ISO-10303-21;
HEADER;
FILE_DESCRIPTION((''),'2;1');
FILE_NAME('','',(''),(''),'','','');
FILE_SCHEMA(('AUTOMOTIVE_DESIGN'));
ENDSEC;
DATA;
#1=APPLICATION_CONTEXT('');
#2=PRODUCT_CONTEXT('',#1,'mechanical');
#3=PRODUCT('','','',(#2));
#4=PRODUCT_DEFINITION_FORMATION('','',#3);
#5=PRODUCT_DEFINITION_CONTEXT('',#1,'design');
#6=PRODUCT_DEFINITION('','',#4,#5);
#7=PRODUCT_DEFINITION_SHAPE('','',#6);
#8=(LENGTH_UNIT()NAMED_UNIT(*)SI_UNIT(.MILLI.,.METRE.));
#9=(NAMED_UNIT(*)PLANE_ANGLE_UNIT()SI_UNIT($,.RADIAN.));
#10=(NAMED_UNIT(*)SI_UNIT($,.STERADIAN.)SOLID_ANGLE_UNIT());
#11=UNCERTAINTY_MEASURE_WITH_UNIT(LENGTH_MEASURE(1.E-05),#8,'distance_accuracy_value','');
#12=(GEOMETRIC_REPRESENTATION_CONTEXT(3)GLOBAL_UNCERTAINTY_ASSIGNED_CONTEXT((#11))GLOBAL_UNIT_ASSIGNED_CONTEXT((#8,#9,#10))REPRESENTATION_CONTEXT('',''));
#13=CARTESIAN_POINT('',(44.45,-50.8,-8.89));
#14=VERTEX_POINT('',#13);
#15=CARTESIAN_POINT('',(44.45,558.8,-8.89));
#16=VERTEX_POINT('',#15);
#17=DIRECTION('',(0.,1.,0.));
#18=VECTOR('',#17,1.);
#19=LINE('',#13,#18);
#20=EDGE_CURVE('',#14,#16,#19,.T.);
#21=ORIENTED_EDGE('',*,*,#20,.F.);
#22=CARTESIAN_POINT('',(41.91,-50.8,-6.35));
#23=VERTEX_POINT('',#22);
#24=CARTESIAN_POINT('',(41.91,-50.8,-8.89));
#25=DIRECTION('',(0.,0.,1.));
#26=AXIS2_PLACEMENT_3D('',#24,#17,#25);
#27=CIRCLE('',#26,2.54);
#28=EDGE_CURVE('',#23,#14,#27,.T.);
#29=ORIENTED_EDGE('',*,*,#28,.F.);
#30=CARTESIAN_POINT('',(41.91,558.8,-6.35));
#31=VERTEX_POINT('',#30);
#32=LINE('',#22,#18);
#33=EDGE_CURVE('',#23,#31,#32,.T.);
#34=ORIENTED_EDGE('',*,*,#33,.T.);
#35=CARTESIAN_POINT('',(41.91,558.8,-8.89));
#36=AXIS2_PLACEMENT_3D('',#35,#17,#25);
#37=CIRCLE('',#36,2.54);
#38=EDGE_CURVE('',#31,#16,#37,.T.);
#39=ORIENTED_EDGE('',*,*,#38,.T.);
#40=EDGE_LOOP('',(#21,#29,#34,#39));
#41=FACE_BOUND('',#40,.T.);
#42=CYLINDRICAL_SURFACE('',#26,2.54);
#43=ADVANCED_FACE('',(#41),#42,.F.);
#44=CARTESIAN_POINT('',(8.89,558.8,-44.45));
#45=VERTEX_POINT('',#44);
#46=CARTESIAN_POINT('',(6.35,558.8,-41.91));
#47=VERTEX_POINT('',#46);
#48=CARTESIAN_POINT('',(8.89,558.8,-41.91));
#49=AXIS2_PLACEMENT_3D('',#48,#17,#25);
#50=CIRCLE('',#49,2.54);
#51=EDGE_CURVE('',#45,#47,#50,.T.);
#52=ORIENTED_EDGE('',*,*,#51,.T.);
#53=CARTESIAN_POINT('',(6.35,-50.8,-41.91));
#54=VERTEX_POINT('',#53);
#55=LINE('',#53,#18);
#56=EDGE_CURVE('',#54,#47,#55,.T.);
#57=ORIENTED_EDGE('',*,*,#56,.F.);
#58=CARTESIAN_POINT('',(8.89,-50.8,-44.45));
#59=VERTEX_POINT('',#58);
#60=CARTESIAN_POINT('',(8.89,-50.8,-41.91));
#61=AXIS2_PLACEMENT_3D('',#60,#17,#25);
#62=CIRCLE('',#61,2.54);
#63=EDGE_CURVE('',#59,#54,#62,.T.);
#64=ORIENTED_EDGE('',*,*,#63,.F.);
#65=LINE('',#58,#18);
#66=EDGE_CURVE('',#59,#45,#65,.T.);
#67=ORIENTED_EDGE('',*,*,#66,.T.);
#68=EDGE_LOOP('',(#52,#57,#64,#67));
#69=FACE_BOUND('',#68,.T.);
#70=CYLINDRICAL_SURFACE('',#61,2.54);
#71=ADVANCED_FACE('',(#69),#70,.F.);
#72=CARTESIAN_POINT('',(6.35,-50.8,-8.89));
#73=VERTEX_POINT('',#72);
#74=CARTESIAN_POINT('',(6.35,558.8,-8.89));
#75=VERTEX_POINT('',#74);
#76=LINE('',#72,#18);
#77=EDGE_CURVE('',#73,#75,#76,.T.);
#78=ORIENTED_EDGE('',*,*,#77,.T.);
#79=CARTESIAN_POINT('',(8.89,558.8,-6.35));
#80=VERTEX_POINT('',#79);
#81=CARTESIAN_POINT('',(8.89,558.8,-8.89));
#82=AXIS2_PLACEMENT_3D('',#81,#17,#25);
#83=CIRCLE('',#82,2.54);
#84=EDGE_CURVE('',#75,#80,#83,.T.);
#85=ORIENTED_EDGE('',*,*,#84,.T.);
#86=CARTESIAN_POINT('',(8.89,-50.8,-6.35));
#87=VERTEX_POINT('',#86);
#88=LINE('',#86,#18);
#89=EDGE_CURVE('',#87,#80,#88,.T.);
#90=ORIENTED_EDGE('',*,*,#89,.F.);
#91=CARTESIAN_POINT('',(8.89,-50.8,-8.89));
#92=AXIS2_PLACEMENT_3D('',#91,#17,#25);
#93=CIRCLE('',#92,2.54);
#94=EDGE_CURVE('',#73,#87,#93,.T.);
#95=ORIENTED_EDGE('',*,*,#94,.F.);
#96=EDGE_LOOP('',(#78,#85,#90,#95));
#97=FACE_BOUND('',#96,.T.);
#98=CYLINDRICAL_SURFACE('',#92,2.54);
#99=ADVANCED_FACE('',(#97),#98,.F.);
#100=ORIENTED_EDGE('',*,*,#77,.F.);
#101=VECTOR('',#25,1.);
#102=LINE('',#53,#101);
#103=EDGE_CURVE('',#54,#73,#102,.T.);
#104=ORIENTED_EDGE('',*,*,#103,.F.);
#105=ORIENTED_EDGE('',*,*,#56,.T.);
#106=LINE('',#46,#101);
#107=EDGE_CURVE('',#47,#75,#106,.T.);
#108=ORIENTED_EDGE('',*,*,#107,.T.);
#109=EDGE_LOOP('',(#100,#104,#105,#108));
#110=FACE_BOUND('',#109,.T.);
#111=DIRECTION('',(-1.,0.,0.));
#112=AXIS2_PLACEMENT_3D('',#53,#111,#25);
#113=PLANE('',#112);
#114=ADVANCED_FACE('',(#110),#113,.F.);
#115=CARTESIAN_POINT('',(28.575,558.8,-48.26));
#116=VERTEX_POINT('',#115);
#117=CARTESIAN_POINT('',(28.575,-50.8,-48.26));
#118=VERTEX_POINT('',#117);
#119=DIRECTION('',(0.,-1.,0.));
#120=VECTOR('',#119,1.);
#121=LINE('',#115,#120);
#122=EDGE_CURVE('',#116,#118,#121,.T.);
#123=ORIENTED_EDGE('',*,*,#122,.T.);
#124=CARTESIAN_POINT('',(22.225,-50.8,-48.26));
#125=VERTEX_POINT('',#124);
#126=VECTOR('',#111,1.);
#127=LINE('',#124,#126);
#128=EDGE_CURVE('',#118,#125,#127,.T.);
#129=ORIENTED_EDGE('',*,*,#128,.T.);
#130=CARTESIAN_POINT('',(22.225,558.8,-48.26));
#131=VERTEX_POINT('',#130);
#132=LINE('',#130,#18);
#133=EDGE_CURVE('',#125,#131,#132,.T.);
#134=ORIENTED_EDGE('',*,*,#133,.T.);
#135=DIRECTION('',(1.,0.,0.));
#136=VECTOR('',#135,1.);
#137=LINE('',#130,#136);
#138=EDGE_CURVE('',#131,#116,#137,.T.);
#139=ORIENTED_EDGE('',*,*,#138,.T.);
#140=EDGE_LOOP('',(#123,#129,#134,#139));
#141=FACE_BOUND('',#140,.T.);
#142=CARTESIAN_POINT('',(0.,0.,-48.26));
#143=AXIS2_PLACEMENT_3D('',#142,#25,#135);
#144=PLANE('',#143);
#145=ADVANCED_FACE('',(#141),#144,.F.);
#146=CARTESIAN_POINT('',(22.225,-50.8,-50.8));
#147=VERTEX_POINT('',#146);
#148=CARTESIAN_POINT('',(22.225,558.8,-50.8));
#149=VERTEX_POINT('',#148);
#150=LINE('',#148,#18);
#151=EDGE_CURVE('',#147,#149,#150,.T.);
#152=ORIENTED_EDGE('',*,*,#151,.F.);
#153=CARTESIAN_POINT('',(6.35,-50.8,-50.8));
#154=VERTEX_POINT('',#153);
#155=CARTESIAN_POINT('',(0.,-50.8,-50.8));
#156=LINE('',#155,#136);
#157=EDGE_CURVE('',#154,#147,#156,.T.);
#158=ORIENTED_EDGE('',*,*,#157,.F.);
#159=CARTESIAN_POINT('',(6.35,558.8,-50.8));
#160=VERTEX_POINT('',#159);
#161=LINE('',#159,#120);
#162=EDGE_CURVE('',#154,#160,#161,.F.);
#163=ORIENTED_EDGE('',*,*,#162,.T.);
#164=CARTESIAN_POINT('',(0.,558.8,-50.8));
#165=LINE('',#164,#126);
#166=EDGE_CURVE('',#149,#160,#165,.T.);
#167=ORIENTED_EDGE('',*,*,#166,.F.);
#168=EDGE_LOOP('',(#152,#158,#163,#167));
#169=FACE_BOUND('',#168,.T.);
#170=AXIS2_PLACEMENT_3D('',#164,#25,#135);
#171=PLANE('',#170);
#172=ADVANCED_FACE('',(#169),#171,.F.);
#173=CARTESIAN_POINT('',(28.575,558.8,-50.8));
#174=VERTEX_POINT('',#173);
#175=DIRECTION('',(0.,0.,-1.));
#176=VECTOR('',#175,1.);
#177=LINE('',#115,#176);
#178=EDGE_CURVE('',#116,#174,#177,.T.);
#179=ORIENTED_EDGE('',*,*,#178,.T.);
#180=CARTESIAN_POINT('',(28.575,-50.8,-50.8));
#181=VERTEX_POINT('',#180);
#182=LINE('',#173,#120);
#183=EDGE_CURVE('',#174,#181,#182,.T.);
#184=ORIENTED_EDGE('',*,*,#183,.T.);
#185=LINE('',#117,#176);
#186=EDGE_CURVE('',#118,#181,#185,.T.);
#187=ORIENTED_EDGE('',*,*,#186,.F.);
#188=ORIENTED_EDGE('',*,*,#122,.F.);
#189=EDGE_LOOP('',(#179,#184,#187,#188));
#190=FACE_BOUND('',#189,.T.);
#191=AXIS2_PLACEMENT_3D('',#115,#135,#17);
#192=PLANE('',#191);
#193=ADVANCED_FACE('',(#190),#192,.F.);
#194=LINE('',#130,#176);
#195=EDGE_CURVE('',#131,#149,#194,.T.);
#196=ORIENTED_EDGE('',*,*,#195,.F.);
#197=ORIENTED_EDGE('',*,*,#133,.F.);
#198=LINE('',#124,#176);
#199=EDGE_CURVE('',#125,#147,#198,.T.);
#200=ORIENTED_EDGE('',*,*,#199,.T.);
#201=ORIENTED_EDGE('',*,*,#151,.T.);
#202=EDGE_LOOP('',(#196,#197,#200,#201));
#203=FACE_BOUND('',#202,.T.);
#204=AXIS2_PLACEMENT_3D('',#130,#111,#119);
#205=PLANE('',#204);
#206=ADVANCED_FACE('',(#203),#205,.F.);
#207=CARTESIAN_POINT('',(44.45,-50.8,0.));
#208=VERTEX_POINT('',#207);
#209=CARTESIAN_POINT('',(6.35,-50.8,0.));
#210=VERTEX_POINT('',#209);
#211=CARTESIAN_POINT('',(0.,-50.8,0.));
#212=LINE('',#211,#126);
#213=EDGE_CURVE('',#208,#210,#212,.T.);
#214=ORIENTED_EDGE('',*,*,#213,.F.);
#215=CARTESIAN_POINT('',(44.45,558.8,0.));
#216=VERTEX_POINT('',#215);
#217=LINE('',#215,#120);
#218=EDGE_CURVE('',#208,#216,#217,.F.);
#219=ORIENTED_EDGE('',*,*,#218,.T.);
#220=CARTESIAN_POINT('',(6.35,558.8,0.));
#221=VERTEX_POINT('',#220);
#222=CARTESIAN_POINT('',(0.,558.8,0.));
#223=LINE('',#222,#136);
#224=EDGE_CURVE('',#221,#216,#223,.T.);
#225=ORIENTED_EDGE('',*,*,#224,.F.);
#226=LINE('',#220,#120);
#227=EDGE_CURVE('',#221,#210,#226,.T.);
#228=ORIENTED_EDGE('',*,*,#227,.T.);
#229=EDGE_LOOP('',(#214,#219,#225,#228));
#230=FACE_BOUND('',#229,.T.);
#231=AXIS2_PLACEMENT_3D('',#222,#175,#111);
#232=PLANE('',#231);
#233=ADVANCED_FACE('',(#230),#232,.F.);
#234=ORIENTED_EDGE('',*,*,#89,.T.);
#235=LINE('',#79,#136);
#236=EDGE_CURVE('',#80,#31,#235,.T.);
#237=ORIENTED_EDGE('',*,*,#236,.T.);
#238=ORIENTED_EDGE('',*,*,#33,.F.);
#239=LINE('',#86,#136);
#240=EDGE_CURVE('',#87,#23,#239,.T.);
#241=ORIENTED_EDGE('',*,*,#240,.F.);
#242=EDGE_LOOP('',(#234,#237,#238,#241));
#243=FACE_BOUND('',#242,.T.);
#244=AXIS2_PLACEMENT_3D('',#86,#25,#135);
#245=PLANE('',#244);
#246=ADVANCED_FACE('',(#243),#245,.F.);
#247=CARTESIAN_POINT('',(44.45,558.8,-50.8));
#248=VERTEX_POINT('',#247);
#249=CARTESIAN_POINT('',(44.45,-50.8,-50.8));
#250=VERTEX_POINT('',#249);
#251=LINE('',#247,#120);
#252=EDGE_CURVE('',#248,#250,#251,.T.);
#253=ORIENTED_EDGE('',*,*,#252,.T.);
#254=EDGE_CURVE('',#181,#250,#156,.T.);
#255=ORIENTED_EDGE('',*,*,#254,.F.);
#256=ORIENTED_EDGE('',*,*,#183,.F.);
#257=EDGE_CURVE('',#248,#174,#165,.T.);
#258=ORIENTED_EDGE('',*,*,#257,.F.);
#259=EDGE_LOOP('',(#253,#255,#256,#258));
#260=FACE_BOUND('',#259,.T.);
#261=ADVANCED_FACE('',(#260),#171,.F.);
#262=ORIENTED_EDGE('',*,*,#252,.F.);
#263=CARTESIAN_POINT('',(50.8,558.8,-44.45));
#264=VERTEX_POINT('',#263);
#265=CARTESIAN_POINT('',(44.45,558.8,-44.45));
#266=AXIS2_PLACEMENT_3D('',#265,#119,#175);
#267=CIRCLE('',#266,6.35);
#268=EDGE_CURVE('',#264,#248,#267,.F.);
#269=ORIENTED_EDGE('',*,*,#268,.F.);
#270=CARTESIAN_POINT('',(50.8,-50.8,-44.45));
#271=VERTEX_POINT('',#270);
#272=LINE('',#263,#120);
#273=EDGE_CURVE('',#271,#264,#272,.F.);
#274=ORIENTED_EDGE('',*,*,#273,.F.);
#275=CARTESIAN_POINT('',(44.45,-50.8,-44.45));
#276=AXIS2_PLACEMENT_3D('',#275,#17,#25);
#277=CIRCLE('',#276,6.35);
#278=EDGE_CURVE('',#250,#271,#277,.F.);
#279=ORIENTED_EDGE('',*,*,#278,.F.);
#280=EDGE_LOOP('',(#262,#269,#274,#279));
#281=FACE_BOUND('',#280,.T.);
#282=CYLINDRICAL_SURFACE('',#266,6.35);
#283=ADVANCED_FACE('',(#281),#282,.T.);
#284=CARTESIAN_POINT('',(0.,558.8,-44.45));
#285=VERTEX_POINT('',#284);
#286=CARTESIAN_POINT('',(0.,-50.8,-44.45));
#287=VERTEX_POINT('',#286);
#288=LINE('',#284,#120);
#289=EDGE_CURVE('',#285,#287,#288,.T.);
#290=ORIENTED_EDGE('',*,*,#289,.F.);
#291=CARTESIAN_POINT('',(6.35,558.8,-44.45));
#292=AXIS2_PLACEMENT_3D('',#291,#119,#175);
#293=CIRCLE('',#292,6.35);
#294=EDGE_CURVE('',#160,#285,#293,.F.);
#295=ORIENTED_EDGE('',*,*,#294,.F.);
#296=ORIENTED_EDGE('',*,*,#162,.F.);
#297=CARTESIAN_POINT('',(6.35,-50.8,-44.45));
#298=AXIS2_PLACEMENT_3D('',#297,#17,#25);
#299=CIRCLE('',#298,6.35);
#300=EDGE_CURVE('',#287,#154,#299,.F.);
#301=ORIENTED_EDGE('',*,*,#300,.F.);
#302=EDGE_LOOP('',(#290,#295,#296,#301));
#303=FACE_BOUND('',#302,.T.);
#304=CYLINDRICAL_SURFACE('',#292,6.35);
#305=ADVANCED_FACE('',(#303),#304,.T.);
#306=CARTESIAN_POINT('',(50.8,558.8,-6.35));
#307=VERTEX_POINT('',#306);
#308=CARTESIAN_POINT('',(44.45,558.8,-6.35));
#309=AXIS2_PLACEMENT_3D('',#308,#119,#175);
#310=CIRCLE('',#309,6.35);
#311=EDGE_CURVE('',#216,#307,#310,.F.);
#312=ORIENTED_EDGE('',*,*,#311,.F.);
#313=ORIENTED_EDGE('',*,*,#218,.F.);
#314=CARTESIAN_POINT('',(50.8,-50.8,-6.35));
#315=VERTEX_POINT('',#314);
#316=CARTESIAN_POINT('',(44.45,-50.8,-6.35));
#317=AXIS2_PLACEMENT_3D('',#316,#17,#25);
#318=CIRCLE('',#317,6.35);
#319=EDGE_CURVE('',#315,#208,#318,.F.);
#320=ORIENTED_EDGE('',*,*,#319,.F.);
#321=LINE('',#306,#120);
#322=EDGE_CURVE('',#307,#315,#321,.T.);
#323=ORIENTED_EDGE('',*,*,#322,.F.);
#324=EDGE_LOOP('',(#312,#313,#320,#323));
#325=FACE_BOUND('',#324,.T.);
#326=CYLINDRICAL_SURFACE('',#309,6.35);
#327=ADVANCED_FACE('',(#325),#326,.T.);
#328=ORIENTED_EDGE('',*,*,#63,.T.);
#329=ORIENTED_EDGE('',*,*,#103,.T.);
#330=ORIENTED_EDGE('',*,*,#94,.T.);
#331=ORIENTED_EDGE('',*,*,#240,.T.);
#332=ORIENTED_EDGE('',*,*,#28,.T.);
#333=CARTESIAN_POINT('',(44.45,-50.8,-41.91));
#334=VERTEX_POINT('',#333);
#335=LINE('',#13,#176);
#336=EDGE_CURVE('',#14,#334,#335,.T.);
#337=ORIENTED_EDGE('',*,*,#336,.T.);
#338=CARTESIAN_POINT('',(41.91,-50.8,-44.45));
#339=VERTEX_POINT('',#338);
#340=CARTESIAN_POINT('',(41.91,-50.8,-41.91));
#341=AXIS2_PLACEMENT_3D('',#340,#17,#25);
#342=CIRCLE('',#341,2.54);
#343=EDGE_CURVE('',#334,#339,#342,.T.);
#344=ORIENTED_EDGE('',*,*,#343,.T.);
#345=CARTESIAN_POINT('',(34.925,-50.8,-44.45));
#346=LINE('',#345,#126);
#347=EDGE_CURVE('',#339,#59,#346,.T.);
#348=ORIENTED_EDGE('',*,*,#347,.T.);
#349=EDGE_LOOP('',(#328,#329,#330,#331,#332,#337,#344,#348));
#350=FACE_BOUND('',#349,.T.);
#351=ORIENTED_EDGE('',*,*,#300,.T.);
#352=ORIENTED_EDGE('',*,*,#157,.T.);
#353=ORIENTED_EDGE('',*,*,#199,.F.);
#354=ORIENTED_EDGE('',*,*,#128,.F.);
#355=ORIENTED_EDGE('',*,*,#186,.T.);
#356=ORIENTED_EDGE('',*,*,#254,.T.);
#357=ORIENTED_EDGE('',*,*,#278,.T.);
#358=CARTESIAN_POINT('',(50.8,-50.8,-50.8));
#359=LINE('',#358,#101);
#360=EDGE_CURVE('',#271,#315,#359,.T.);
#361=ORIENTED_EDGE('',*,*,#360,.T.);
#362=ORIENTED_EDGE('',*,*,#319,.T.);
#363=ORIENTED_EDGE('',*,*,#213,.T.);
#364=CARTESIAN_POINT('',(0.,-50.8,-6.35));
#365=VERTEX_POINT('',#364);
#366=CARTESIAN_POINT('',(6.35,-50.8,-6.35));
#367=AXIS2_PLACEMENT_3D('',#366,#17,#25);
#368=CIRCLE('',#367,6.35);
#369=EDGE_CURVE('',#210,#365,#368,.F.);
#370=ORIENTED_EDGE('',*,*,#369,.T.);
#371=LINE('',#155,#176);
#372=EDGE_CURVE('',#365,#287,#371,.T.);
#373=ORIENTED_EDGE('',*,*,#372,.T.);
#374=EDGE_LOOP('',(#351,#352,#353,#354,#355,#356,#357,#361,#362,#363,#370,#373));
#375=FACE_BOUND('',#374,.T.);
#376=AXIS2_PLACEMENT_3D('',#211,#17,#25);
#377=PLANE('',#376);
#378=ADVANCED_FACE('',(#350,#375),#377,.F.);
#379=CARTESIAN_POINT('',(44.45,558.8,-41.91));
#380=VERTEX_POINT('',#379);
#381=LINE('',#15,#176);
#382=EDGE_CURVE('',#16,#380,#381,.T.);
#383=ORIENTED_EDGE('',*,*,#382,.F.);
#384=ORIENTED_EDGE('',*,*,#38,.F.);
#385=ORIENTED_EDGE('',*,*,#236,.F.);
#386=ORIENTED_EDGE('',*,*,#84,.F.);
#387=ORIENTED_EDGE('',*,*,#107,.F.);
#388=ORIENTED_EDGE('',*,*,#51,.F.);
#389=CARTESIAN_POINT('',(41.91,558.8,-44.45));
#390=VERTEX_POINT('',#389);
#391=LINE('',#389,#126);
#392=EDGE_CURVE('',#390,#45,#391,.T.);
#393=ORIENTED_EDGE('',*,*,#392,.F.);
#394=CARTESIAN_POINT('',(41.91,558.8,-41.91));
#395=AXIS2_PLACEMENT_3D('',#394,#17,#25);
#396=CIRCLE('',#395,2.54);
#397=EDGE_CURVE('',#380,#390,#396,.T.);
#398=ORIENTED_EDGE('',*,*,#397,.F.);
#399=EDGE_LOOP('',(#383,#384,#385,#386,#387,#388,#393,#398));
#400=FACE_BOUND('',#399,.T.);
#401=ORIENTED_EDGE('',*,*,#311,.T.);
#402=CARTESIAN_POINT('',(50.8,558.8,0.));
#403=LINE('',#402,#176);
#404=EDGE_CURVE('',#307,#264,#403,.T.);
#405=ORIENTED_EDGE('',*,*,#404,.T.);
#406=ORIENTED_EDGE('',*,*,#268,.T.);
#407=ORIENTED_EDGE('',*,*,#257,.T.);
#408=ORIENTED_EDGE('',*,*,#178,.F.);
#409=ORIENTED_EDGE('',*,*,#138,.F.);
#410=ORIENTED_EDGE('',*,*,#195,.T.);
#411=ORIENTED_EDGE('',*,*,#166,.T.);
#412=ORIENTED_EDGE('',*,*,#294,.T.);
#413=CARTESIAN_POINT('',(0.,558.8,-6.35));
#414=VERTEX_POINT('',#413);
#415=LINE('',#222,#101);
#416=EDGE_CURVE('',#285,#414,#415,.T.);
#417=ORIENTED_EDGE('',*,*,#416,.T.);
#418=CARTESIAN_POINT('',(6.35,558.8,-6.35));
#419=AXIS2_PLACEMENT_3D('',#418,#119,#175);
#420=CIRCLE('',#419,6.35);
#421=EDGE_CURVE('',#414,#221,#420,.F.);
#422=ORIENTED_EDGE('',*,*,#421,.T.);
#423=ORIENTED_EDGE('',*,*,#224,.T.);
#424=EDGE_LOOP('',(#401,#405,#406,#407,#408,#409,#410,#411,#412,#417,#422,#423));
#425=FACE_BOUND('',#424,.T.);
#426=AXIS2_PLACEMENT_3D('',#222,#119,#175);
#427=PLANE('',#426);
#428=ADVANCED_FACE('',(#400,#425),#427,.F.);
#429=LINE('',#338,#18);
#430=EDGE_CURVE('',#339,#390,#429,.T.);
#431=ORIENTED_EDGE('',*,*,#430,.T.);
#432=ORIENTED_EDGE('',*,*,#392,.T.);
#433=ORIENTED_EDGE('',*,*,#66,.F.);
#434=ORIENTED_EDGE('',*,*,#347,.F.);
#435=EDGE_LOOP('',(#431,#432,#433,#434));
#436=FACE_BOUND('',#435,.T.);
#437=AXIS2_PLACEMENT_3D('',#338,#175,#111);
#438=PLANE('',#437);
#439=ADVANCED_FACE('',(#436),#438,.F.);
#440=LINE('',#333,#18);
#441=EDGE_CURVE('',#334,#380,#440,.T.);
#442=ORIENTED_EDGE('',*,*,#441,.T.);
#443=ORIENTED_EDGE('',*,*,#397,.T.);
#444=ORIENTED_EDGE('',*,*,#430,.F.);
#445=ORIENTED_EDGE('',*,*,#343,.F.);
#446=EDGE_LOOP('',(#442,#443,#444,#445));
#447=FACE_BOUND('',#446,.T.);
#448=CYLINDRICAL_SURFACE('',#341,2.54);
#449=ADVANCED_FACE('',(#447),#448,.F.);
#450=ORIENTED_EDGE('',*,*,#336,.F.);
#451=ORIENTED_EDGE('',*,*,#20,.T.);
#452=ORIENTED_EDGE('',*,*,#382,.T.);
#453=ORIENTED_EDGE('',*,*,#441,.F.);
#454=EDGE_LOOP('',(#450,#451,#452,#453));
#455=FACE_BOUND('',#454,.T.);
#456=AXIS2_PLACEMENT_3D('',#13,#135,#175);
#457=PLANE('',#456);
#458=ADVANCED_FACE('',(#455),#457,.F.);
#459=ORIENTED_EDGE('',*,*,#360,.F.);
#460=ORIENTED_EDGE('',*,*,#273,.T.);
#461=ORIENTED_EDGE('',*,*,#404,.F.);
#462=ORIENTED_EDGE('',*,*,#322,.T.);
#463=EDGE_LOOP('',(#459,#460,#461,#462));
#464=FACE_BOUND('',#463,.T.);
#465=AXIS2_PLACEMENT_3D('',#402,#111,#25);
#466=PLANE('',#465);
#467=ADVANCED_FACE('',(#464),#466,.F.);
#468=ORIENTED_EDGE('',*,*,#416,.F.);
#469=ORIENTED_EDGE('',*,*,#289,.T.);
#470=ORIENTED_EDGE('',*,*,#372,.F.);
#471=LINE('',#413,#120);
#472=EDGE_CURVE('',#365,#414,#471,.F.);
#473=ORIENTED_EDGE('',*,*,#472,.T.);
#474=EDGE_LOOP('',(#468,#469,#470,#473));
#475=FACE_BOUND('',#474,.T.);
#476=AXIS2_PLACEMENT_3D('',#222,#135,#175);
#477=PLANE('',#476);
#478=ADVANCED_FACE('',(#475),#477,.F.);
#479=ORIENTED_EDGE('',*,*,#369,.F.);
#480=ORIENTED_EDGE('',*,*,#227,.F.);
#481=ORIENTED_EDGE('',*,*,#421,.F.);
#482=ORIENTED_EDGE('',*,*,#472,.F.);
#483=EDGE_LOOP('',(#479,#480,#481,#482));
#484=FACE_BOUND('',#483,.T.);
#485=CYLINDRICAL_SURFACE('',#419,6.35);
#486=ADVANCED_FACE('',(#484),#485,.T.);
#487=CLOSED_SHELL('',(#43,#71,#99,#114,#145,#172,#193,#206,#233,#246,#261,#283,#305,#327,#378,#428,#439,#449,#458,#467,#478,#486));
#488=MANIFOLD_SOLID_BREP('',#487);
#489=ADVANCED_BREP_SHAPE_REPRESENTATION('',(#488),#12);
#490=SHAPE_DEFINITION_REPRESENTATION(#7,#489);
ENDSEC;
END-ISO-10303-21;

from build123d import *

# Parameters (mm, degrees)
SKETCH1_W           = 50.8
SKETCH1_H           = 50.8
BOSS_EXTRUDE1_DEPTH = 558.8
SKETCH3_W           = 50.8
SKETCH3_H           = 50.8
BOSS_EXTRUDE2_DEPTH = 50.8
FILLET2_R           = 6.35
SKETCH4_W           = 6.35
SKETCH4_H           = 609.6
CUT_EXTRUDE2_DEPTH  = 2.54
CUT_EXTRUDE3_DEPTH  = 614.818735459


with BuildPart() as part:
    # Sketch1 → Boss-Extrude1 (new body)
    with BuildSketch(Plane(origin=(0, 0, 0), x_dir=(1, 0, 0), z_dir=(0, 1, 0))):
        with Locations((25.4, 25.4)):
            Rectangle(SKETCH1_W, SKETCH1_H)
    extrude(amount=BOSS_EXTRUDE1_DEPTH)

    # Sketch3 → Boss-Extrude2 (add)
    with BuildSketch(Plane.XZ):
        with Locations((25.4, -25.4)):
            Rectangle(SKETCH3_W, SKETCH3_H)
    extrude(amount=BOSS_EXTRUDE2_DEPTH)

    # Fillet2
    fillet2_edges = [part.edges().sort_by_distance(p)[0] for p in [
        (0, 254, -50.8),
        (50.8, 254, -50.8),
        (50.8, 254, 0),
        (0, 254, 0),
    ]]
    fillet(fillet2_edges, radius=FILLET2_R)

    # Sketch4 → Cut-Extrude2 (cut)
    with BuildSketch(Plane(origin=(0, 0, -50.8), x_dir=(-1, 0, 0), z_dir=(0, 0, -1))):
        with Locations((-25.4, 254)):
            Rectangle(SKETCH4_W, SKETCH4_H)
    extrude(amount=-CUT_EXTRUDE2_DEPTH, mode=Mode.SUBTRACT)

    # Sketch5 → Cut-Extrude3 (cut, through all)
    with BuildSketch(Plane(origin=(0, 558.8, 0), x_dir=(1, 0, 0), z_dir=(0, 1, 0))):
        with BuildLine():
            Line((34.925, 44.45), (15.875, 44.45))
            Line((15.875, 44.45), (8.89, 44.45))
            ThreePointArc((8.89, 44.45), (7.093948776, 43.706051224), (6.35, 41.91))
            Line((6.35, 41.91), (6.35, 8.89))
            ThreePointArc((6.35, 8.89), (7.093948776, 7.093948776), (8.89, 6.35))
            Line((8.89, 6.35), (41.91, 6.35))
            ThreePointArc((41.91, 6.35), (43.706051224, 7.093948776), (44.45, 8.89))
            Line((44.45, 8.89), (44.45, 41.91))
            ThreePointArc((44.45, 41.91), (43.706051224, 43.706051224), (41.91, 44.45))
            Line((41.91, 44.45), (34.925, 44.45))
        make_face()
    extrude(amount=-CUT_EXTRUDE3_DEPTH, mode=Mode.SUBTRACT)


solid = part.part
